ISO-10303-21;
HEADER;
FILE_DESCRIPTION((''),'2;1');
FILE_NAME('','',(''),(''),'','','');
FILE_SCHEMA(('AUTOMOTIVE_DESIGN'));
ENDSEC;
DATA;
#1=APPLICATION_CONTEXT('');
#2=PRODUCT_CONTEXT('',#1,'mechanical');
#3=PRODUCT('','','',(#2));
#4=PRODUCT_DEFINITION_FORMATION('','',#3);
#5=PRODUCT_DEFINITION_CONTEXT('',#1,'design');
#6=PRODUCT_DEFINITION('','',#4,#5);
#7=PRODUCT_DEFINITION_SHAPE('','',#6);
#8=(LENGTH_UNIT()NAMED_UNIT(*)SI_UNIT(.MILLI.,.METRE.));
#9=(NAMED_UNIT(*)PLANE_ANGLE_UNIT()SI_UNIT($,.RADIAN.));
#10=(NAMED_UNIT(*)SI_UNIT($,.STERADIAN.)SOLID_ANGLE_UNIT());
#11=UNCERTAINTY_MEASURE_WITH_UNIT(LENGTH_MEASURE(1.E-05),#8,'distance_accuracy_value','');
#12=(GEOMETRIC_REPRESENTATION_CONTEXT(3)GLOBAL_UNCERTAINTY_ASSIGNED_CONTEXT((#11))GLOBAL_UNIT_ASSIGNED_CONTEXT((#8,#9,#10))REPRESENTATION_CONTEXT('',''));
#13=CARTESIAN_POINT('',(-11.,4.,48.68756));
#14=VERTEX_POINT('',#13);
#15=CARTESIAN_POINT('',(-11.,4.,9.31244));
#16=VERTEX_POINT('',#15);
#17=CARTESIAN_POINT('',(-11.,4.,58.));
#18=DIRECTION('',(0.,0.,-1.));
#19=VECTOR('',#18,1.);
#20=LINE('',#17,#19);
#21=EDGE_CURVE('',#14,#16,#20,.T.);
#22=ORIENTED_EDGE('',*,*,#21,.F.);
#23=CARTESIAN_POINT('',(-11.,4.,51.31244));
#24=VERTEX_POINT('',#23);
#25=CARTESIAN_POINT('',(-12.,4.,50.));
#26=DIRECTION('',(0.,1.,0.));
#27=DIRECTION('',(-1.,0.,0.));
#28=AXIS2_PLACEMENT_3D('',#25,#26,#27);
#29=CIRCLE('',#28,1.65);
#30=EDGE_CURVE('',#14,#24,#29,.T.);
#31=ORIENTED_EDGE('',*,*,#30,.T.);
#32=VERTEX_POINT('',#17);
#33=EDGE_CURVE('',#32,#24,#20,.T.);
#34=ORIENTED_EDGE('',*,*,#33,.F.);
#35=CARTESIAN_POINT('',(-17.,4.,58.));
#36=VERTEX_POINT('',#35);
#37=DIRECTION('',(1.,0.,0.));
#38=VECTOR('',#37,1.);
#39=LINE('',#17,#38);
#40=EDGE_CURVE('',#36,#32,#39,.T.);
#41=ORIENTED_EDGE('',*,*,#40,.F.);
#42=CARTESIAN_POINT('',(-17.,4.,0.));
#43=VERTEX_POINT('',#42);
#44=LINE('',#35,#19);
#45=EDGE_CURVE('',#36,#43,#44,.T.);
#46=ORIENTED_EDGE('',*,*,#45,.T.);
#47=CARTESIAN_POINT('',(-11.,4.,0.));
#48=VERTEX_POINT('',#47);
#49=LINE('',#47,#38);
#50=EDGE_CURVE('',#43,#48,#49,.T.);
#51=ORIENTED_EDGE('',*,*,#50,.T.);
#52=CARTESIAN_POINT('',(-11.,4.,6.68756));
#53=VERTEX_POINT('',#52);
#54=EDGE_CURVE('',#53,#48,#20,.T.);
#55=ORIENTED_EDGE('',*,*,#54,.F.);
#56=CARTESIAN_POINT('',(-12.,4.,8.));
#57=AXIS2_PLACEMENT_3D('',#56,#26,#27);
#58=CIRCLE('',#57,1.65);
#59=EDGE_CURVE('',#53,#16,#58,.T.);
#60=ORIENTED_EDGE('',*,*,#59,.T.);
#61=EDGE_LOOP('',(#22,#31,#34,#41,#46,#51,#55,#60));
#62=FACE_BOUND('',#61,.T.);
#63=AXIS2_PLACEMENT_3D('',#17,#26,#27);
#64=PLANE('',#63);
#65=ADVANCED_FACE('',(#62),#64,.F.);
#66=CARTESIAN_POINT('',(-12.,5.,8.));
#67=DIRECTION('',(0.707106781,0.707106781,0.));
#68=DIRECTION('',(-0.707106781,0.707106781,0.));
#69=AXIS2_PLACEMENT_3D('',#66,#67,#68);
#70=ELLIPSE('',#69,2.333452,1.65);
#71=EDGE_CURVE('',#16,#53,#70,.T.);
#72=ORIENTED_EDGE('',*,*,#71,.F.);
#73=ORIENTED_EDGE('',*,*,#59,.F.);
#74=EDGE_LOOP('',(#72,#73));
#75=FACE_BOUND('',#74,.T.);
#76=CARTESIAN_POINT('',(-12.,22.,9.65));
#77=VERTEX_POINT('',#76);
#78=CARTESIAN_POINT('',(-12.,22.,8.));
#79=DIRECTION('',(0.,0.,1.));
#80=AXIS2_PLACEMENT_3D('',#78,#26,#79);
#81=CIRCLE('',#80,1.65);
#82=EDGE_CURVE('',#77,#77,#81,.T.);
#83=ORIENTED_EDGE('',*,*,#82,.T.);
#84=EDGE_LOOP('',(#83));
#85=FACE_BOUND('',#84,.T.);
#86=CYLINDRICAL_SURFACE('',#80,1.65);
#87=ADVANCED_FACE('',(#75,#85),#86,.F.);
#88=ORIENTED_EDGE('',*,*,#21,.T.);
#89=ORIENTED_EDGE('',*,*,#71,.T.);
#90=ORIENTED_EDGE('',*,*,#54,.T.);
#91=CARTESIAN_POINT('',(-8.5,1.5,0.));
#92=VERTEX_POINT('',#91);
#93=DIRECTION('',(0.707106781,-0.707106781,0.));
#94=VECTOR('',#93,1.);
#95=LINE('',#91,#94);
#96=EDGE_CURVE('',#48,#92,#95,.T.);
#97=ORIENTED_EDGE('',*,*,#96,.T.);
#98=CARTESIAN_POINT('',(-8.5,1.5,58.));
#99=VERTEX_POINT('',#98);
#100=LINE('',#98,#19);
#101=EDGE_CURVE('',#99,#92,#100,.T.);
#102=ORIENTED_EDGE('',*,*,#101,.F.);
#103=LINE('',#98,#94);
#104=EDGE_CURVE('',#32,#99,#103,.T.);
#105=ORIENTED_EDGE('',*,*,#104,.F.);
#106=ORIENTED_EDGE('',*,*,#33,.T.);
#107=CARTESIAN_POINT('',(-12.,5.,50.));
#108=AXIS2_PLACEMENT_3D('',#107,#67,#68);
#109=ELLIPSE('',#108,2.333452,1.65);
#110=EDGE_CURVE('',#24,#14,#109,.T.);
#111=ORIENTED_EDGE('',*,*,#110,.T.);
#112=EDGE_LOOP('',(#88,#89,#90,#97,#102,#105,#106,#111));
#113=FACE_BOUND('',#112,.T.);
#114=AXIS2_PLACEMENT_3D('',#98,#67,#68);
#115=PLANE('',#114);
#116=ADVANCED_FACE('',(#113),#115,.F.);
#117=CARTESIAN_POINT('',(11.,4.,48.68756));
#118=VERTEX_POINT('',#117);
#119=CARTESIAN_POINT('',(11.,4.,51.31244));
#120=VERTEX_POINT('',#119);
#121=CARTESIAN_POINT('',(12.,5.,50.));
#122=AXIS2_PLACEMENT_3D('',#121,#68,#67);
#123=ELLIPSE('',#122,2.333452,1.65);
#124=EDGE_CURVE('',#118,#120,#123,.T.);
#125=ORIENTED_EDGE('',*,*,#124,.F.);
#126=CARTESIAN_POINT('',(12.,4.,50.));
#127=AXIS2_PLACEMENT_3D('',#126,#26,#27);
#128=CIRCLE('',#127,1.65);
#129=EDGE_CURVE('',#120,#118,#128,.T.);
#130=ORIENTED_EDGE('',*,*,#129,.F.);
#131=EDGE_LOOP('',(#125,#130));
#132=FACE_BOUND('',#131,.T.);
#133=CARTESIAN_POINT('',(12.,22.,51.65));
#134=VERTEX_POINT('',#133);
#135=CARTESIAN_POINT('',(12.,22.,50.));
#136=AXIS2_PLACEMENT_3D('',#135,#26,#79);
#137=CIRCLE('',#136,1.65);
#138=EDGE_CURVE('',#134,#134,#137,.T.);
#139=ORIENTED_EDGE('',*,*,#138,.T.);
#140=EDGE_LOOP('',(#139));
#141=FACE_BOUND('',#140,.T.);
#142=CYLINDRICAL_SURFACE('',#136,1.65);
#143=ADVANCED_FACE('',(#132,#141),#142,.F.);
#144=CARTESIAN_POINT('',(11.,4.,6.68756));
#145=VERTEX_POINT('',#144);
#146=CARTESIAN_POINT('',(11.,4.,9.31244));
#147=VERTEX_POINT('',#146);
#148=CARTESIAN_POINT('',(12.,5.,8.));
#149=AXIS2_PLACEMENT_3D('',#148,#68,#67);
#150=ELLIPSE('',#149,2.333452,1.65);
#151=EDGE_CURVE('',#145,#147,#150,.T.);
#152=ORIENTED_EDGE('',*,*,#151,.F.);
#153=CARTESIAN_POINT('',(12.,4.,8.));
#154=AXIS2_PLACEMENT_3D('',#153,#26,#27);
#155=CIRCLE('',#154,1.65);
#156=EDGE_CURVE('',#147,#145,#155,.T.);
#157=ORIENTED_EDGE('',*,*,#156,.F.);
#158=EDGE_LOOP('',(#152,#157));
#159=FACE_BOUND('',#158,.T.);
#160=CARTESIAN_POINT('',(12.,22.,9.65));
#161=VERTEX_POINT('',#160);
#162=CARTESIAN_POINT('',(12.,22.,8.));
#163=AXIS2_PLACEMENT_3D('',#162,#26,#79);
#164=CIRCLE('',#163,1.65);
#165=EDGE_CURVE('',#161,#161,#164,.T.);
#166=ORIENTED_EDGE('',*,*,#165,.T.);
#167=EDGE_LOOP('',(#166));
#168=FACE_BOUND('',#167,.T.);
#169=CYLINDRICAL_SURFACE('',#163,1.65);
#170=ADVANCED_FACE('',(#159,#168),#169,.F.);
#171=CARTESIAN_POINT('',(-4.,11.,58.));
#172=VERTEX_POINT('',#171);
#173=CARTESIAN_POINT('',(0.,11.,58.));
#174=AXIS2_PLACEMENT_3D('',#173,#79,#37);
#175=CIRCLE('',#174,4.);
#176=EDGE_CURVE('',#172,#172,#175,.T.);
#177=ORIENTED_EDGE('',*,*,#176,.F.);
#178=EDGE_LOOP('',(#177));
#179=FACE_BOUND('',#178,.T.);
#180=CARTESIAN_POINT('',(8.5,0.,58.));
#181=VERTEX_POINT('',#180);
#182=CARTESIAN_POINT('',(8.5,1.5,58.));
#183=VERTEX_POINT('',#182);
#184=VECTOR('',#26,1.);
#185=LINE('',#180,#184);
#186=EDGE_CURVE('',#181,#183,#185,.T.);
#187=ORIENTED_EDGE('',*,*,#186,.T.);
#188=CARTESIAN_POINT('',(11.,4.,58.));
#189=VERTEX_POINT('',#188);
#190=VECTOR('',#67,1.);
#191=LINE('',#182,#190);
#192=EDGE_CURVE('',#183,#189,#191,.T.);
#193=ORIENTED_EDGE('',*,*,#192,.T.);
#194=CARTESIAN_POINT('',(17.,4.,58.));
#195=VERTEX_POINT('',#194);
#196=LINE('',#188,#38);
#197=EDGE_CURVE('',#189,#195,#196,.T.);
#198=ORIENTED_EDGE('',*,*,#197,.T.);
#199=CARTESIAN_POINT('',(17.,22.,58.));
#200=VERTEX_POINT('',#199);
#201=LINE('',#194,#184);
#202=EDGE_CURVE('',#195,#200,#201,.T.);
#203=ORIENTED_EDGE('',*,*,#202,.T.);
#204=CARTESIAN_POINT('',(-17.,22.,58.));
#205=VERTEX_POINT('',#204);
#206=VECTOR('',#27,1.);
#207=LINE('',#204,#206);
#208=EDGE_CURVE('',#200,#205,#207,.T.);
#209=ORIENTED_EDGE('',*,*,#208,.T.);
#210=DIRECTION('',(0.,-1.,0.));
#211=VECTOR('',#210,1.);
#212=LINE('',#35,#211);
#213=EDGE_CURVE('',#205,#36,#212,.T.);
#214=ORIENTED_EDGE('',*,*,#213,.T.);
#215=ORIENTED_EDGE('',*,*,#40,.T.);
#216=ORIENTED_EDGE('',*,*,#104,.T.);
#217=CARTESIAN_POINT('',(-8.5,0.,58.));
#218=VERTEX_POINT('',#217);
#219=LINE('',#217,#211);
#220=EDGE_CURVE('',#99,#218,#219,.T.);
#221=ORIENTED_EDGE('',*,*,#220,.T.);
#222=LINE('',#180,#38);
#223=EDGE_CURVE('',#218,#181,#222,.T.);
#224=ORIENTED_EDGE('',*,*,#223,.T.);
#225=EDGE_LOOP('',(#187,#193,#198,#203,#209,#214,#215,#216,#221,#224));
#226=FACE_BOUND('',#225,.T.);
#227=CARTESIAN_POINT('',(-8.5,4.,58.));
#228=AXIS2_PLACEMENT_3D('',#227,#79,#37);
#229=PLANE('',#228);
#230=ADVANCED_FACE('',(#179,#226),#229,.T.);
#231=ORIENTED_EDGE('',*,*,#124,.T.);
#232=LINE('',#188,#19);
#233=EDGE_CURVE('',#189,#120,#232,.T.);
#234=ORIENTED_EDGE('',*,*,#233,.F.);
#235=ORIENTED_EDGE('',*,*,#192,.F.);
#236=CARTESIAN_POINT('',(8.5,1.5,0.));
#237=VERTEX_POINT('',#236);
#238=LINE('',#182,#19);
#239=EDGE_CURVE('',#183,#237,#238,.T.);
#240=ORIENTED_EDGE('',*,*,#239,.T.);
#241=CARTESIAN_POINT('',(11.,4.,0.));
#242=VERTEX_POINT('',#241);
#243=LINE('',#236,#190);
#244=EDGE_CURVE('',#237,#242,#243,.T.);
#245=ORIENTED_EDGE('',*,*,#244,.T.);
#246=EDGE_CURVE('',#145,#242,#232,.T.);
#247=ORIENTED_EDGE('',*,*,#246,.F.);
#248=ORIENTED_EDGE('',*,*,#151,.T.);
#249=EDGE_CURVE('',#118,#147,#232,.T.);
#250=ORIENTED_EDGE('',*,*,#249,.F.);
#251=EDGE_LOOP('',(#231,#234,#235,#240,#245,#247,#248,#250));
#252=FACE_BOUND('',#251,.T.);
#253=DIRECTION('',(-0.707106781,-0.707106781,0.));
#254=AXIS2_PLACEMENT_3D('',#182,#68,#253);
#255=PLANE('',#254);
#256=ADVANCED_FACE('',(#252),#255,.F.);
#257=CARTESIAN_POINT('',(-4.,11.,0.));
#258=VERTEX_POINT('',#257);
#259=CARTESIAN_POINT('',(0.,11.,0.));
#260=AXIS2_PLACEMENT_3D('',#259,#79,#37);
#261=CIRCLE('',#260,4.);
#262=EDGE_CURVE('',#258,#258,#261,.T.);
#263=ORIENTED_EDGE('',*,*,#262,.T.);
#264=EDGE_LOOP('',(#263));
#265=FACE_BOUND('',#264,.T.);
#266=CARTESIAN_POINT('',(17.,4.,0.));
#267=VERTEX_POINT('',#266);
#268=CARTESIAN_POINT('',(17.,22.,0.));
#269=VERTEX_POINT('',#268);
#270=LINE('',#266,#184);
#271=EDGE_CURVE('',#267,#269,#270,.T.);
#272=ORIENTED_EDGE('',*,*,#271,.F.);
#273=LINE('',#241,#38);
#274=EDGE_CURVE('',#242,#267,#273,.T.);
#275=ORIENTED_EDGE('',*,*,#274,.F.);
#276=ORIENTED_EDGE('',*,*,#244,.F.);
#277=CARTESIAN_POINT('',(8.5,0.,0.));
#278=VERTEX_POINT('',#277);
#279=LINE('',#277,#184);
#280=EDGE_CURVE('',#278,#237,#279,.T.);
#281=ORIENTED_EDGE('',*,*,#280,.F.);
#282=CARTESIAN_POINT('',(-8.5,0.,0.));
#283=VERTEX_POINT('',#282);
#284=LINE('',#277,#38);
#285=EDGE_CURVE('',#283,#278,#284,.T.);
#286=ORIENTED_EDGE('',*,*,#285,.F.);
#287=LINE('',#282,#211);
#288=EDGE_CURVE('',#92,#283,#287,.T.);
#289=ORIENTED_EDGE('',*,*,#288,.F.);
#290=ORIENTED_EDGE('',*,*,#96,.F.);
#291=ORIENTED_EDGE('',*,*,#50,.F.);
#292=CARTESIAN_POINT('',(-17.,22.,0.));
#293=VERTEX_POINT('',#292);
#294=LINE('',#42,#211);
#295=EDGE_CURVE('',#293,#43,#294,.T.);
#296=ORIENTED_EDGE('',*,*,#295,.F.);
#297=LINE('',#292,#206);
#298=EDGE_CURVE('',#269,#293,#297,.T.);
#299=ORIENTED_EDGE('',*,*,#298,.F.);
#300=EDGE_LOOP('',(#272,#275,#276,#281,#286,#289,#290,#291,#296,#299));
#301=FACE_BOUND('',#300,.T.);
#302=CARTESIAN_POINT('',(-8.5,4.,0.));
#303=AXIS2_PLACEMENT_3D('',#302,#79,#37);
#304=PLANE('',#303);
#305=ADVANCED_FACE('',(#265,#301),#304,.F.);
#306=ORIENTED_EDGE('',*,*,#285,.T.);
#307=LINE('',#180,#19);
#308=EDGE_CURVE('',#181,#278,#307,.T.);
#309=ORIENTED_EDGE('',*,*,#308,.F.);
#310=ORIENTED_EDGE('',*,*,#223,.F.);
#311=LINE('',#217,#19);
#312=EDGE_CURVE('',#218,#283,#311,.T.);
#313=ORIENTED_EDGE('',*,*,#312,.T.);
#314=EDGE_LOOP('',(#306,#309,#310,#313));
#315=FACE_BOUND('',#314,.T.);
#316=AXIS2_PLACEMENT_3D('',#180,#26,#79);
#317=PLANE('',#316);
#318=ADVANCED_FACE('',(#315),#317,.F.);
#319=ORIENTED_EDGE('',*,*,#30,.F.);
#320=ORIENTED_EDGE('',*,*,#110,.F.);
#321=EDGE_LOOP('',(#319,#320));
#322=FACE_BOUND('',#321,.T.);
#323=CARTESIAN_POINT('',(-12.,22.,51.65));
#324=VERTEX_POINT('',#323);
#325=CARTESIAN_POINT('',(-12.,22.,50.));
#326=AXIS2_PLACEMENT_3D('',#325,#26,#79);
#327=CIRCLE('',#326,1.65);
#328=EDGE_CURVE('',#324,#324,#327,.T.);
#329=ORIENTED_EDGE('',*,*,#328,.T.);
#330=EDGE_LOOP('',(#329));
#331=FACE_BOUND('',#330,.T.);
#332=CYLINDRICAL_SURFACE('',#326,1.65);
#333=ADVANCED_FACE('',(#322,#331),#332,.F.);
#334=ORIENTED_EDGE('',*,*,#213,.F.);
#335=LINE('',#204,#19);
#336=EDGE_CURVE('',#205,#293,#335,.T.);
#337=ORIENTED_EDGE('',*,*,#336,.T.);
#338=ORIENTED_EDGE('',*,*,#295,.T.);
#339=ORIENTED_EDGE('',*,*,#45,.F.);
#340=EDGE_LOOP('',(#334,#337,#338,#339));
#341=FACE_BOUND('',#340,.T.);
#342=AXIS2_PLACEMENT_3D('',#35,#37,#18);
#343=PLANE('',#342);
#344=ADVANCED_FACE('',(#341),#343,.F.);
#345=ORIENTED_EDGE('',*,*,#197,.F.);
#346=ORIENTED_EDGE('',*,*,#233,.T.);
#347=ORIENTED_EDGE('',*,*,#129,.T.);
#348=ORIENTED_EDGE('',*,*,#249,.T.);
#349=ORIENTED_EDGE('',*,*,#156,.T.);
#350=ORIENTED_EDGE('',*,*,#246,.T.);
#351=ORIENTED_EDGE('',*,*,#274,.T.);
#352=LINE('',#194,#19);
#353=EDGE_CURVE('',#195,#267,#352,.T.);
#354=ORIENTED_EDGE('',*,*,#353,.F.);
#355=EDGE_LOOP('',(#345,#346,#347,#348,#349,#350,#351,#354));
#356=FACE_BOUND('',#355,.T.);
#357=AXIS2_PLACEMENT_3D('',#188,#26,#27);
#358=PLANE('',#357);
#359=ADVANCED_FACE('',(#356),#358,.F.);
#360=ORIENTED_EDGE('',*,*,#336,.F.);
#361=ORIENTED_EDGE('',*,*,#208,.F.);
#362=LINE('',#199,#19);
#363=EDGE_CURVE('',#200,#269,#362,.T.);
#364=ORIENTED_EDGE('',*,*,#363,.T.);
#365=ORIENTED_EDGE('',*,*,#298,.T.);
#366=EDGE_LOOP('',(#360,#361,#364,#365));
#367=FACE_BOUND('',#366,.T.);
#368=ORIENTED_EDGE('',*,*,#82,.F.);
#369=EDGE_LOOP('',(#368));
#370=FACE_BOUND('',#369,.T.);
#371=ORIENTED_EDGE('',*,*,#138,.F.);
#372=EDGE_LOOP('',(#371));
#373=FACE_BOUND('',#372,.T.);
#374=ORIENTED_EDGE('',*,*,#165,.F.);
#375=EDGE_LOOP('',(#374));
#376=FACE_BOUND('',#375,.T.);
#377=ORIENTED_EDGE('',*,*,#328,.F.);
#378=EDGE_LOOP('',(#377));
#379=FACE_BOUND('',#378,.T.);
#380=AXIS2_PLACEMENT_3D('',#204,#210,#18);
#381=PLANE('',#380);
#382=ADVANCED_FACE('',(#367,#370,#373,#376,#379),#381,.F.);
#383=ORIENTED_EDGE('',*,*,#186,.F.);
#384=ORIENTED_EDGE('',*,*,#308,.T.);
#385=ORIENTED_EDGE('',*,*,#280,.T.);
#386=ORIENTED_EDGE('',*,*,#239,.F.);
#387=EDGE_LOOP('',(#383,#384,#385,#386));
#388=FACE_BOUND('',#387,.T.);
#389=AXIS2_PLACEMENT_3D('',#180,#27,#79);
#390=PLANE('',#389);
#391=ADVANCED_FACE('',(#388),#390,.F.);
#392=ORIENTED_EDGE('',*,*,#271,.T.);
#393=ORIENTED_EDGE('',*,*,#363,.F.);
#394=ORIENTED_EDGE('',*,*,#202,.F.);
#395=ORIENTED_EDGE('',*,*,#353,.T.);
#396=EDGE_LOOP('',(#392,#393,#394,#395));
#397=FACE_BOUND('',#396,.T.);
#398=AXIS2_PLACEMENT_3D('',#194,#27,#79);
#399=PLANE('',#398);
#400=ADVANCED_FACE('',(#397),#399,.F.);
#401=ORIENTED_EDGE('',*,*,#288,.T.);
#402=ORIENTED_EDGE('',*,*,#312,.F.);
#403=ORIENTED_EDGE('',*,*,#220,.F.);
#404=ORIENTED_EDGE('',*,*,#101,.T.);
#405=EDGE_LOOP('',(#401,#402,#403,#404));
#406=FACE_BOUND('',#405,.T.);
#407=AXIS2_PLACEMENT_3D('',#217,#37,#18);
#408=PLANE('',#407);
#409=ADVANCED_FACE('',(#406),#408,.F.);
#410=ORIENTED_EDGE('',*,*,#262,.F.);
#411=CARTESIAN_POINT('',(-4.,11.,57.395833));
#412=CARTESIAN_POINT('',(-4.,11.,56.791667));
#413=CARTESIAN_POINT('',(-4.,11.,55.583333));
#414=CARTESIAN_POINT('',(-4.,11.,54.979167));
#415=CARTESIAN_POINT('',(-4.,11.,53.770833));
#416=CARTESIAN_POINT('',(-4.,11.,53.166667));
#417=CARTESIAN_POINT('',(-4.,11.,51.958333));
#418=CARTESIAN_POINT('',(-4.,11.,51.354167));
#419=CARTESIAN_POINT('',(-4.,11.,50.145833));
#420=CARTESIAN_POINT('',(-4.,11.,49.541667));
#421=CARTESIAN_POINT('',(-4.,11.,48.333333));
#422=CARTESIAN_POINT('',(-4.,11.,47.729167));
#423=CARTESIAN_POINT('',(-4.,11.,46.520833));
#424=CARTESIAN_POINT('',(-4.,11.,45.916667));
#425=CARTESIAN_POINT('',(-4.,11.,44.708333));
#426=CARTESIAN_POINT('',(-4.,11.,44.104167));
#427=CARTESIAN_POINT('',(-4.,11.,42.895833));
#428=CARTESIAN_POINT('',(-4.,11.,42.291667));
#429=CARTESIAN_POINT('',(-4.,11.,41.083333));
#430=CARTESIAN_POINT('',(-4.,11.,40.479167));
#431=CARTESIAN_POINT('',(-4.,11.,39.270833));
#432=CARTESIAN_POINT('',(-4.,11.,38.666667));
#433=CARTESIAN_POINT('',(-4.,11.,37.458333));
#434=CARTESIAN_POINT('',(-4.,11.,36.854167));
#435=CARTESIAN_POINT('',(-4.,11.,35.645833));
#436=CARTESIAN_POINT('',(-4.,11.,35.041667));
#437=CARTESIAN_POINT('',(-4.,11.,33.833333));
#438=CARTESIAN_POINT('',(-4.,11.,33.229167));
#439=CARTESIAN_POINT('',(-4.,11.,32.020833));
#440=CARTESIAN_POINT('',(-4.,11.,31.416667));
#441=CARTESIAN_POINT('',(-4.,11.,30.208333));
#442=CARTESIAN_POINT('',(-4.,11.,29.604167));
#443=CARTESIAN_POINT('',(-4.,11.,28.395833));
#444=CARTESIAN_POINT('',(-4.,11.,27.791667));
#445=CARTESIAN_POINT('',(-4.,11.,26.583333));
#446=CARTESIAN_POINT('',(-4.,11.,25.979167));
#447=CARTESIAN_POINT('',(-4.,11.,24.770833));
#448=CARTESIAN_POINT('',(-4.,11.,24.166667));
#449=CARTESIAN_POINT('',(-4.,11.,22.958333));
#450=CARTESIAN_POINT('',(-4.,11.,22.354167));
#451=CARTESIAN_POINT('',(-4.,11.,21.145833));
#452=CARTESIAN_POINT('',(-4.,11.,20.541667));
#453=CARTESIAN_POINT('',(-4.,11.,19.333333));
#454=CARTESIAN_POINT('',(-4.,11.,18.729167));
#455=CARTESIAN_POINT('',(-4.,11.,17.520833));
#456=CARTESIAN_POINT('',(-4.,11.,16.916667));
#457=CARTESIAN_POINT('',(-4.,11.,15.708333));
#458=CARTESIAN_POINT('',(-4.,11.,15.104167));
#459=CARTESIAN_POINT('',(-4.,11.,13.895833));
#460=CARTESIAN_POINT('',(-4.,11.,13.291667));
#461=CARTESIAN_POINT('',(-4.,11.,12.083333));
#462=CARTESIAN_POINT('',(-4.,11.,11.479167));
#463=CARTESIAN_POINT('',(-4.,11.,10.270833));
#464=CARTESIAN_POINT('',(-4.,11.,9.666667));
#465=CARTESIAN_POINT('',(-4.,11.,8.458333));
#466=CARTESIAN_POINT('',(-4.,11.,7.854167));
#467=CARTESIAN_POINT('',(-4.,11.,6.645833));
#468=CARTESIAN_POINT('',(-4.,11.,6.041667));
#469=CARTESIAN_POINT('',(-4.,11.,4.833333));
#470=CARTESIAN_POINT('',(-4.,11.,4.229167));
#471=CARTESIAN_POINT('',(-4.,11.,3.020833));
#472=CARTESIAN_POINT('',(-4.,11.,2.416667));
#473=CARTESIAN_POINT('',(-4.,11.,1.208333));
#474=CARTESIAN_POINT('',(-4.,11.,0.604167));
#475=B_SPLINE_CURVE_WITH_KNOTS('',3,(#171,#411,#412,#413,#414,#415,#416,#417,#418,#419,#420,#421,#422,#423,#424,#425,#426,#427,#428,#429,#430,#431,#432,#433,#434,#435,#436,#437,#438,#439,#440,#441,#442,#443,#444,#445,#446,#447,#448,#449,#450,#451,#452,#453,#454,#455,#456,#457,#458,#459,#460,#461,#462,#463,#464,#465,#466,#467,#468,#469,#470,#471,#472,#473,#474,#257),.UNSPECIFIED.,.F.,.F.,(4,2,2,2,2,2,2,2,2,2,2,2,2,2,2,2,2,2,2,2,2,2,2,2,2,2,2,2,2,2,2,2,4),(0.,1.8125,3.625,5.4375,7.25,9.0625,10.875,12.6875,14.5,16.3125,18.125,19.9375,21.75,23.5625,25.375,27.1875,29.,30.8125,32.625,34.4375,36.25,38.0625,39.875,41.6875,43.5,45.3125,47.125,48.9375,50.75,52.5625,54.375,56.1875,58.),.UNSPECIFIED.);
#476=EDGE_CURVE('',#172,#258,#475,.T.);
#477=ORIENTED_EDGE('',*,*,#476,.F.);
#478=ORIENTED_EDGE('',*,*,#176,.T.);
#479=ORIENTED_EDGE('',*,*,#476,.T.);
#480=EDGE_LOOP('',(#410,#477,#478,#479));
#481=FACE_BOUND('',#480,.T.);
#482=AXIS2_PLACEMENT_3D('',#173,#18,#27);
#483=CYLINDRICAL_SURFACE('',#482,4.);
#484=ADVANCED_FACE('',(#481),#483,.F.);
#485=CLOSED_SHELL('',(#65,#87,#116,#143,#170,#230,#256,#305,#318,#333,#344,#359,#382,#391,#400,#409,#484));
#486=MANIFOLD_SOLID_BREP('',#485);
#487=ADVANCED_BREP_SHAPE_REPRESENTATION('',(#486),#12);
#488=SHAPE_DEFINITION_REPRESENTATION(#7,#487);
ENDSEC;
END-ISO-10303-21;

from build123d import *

# Parameters (mm, degrees)
SKETCH_1_R         = 4
EXTRUDE_1_DEPTH    = 58
HOLE_WIZARD_M4_1_D = 3.3


with BuildPart() as part:
    # 草图1 → 凸台-拉伸1 (new body)
    with BuildSketch(Plane.XY):
        Polygon((8.5, 0), (-8.5, 0), (-8.5, 1.5), (-11, 4), (-17, 4), (-17, 22), (17, 22), (17, 4), (11, 4), (8.5, 1.5), align=None)
        with Locations(Location((0, 11, 0), (0, 0, 180))):
            Circle(SKETCH_1_R, mode=Mode.SUBTRACT)
    extrude(amount=EXTRUDE_1_DEPTH)

    # M4 螺纹孔1 (through all)
    with Locations(Plane(origin=(0, 22, 0), x_dir=(-1, 0, 0), z_dir=(0, 1, 0))):
        with Locations((12, 50), (-12, 50), (-12, 8), (12, 8)):
            Hole(HOLE_WIZARD_M4_1_D / 2)


solid = part.part
